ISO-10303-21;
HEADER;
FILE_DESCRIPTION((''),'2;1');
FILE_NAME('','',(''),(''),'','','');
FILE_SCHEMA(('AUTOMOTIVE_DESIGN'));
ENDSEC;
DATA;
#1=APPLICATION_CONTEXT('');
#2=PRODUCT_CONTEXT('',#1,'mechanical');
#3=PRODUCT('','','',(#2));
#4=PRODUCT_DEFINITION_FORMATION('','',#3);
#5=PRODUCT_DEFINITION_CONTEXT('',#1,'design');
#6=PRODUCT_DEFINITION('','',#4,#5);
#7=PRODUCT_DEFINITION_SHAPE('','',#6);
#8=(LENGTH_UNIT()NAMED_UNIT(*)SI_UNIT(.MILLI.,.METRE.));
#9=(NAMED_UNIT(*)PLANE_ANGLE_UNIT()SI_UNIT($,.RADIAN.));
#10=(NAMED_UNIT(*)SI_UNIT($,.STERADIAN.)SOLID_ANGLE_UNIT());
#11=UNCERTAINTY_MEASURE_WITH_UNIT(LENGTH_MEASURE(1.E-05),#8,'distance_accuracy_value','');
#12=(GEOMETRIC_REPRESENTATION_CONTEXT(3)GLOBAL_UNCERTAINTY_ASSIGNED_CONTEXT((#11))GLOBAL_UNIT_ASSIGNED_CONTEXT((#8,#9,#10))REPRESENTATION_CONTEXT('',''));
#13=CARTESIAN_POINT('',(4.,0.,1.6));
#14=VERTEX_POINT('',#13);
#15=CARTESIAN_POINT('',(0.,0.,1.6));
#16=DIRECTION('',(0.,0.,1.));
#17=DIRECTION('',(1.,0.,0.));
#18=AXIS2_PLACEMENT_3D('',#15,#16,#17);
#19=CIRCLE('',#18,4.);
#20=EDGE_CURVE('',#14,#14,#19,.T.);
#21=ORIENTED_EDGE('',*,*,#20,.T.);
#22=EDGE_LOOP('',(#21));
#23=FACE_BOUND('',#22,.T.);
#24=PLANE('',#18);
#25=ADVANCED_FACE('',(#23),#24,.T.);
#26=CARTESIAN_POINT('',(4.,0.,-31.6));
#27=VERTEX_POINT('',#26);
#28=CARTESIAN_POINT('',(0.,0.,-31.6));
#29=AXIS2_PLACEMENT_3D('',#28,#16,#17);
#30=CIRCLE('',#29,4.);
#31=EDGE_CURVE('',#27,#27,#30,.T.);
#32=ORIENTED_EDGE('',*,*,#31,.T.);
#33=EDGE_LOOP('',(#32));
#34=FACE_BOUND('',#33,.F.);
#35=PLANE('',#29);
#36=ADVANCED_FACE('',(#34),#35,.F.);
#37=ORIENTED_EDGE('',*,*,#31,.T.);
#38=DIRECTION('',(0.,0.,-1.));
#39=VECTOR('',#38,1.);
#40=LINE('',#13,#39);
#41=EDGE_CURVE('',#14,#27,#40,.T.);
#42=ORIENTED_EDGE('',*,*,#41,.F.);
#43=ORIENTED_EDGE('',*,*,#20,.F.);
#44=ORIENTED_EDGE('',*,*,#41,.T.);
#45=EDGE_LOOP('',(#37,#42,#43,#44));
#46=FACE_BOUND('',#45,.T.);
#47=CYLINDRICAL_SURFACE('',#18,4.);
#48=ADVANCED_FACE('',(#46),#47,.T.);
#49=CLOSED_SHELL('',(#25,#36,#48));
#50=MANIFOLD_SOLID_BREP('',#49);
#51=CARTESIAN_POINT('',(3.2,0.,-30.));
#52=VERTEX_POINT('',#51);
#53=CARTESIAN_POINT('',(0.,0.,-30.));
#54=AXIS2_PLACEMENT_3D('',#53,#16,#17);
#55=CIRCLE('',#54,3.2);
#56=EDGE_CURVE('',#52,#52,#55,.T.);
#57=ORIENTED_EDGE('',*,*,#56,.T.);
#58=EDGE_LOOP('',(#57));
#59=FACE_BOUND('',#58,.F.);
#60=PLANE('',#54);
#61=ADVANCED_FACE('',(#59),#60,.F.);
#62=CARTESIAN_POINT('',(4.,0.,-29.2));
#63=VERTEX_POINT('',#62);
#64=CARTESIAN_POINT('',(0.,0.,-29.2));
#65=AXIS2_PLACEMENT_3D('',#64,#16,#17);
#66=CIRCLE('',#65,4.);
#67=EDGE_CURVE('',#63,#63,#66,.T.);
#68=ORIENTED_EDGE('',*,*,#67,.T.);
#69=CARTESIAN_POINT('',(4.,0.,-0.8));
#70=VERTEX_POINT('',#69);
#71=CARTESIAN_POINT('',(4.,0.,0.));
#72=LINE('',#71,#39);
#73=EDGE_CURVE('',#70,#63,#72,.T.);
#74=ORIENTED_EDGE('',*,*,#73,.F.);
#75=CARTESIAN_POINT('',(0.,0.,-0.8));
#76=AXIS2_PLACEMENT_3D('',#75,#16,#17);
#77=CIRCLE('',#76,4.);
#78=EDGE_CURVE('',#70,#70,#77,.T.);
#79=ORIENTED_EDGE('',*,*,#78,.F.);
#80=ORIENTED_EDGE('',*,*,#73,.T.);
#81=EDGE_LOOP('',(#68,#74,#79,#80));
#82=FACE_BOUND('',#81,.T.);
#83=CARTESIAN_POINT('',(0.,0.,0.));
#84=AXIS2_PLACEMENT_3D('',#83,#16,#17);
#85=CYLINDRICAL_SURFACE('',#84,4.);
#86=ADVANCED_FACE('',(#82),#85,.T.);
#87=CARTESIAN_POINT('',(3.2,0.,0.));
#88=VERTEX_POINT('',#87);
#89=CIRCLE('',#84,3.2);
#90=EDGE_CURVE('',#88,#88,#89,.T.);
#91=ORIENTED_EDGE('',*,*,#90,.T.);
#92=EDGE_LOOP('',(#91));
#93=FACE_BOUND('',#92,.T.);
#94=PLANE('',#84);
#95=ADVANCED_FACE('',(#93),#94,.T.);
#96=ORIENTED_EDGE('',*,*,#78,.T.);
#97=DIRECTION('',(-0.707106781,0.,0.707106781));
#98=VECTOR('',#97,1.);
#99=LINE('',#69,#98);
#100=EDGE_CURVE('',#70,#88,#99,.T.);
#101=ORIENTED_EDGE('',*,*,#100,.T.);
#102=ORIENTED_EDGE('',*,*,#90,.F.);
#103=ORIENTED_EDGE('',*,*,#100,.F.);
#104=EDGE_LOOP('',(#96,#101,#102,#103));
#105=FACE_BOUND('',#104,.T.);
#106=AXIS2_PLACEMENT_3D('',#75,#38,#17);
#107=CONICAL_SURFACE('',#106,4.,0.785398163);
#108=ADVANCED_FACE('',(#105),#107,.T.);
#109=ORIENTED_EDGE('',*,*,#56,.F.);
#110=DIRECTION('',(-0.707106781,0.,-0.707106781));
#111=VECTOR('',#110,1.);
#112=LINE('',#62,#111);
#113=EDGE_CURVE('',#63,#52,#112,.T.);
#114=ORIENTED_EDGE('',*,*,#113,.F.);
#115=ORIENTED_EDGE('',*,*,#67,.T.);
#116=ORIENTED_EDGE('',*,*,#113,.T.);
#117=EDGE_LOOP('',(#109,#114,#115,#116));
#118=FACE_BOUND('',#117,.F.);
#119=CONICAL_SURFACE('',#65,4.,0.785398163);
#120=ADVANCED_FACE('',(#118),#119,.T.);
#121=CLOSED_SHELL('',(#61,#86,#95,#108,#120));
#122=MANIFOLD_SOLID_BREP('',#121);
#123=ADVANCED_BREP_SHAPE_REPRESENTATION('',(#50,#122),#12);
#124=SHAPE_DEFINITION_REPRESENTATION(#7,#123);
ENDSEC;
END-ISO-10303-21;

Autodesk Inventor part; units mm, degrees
ref_plane "YZ Plane" through (0, 0, 0) normal (1, 0, 0) x (0, 1, 0)
ref_plane "XZ Plane" through (0, 0, 0) normal (0, 1, 0) x (-1, 0, 0)
sketch "Sketch1" plane through (0, 0, 0) normal (0, 0, 1) x (1, 0, 0)
  circle A0 centre (0, 0) radius 4
  dimension "Diam" = 8
extrude "Extrusion1" add sketch "Sketch1" against normal blind 30
chamfer "Chamfer1" distance 0.8 angle 45 2 edges at (-4, 0, 0) (-4, 0, -30)
ref_plane "Work Plane1" through (0, 0, 1.6) normal (0, 0, 1) x (1, 0, 0)
sketch "Sketch2" plane through (0, 0, 1.6) normal (0, 0, 1) x (1, 0, 0)
  circle A0 centre (0, 0) radius 4 projected
  circle A1 centre (0, 0) radius 4 projected
extrude "Extrusion2" add sketch "Sketch2" against normal blind 33.2 separate body
equation "\"d3\" = 0.1 * Diam"
equation "\"d7\" = L + 2 * Offset"
equation "\"Offset\" = 1.6"
equation "\"d6\" = Offset"
equation "\"L\" = 30"
properties part number "MS Dowel" material "Wood (Birch)"
